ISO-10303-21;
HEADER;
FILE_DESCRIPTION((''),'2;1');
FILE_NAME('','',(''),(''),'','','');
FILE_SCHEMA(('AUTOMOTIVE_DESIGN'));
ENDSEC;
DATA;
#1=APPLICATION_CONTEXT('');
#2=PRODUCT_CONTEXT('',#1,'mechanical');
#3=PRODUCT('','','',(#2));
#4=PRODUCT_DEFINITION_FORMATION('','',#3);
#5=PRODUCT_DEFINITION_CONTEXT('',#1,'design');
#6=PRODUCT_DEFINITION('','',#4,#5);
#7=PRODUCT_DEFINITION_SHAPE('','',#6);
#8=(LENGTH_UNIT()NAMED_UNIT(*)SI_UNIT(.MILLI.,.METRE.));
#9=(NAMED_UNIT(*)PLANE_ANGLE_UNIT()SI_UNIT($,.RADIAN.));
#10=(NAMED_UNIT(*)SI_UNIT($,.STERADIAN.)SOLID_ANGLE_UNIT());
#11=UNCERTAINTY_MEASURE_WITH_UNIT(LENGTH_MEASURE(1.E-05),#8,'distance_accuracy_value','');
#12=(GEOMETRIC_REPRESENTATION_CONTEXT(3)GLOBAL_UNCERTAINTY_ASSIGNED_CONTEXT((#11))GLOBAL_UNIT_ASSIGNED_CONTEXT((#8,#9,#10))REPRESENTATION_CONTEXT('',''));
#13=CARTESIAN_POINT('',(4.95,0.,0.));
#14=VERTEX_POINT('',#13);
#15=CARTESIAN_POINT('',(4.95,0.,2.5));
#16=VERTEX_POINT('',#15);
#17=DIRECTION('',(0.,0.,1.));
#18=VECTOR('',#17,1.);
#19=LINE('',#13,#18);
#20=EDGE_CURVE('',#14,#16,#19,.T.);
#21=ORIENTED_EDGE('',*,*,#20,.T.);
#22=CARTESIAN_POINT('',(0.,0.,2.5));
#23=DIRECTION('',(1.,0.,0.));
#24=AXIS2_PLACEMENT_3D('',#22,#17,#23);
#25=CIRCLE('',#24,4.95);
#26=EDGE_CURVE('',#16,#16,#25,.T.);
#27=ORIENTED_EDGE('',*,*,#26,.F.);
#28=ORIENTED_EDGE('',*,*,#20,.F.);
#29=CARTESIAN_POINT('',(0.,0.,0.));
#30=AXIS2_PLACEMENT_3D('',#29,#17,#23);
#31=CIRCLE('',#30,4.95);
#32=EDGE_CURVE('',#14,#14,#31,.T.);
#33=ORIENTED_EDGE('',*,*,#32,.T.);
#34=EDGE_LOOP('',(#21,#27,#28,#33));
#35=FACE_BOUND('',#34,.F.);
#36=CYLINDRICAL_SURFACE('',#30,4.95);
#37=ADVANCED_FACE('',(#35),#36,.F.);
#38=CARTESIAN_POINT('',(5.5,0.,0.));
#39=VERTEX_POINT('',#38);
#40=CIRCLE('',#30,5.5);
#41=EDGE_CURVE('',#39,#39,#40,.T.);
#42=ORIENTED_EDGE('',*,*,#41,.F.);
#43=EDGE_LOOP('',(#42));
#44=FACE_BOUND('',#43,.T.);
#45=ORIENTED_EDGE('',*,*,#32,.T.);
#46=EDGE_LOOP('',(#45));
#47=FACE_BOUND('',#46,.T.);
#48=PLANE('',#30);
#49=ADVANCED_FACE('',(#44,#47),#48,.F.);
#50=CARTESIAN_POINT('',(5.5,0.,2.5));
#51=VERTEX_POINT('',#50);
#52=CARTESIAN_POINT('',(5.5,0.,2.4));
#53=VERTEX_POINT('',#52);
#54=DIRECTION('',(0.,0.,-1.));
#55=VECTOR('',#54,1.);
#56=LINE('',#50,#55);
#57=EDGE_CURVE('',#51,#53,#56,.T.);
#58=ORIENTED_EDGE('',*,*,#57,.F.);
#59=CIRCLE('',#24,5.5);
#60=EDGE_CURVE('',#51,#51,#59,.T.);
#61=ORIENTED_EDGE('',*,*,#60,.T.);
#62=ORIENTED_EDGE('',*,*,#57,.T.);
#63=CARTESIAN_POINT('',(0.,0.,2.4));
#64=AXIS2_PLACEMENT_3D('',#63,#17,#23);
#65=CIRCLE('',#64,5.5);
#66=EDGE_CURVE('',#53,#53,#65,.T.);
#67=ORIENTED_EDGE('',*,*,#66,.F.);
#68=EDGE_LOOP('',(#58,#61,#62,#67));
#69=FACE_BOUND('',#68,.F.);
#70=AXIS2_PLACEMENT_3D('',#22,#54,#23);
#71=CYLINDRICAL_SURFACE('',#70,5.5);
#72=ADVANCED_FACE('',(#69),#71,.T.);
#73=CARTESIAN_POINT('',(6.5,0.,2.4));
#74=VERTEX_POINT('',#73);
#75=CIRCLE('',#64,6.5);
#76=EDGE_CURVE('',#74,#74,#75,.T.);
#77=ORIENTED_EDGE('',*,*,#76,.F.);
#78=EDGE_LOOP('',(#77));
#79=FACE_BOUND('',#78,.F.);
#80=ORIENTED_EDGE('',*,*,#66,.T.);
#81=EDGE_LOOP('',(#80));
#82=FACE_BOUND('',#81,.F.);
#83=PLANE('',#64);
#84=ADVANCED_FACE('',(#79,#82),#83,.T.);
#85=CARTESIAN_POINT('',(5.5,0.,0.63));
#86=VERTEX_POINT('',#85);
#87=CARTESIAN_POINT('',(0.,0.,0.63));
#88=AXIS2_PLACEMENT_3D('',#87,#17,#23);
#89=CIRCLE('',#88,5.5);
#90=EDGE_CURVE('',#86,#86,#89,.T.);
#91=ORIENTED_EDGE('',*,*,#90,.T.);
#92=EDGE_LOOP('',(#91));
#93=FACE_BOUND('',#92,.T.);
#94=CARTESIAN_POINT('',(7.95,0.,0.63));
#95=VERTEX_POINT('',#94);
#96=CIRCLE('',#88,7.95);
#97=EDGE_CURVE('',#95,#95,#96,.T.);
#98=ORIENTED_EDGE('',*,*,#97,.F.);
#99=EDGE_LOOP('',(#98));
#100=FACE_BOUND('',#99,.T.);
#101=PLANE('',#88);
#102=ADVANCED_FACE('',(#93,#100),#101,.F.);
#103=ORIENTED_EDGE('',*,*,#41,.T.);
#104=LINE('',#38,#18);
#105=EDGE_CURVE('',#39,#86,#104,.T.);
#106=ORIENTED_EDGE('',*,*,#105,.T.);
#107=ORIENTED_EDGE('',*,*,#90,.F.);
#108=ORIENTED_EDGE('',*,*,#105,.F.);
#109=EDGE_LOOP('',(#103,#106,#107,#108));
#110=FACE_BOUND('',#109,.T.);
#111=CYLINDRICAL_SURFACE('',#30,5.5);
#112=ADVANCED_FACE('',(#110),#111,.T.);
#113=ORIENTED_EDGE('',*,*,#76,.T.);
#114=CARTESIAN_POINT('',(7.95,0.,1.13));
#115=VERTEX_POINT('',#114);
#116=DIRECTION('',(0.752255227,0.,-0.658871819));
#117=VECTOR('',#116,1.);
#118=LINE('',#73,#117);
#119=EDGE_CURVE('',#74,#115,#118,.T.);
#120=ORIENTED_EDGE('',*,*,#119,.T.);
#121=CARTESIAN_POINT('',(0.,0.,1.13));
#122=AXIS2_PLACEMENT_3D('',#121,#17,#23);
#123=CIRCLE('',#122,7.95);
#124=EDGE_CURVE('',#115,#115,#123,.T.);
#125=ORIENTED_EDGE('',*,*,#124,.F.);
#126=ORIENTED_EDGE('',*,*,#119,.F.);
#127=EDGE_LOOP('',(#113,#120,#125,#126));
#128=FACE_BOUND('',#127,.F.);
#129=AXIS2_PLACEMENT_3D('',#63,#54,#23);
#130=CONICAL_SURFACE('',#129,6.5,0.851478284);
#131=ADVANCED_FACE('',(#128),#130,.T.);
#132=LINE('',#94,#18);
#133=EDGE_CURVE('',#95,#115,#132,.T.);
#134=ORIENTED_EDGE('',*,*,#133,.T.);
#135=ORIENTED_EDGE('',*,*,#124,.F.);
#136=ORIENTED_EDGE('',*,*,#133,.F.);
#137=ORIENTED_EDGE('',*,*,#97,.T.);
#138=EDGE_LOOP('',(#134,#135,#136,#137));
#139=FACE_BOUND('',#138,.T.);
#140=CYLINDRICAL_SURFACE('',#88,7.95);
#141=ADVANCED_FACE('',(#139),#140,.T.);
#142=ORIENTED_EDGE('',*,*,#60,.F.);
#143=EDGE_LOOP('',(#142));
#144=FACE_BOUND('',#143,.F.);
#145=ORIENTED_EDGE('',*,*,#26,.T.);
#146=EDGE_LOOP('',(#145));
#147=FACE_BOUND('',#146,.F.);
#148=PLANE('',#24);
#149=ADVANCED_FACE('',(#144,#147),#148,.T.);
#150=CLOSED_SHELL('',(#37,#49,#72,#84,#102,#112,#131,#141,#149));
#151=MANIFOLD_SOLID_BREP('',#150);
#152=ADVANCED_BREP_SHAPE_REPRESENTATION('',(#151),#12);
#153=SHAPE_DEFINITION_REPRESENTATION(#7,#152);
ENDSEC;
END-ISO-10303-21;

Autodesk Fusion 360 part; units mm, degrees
sketch "Sketch1" plane through (0, 0, 0) normal (0, 1, 0) x (1, 0, 0)
  line L0 (0, 0) -> (4.95, 0) construction
  line L1 (4.95, 0) -> (5.5, 0)
  line L2 (5.5, 0) -> (5.5, -0.63)
  line L3 (4.95, 0) -> (4.95, -2.5)
  line L4 (5.5, -0.63) -> (7.95, -0.63)
  line L5 (0, 0) -> (0, -2.6) construction
  line L6 (4.95, -2.5) -> (5.5, -2.5)
  line L7 (5.5, -2.5) -> (5.5, -2.4)
  line L8 (5.5, -2.4) -> (6.5, -2.4)
  line L9 (7.95, -0.63) -> (7.95, -1.13)
  line L10 (6.5, -2.4) -> (7.95, -1.13)
  dimension "d1" = 4.95
  dimension "d2" = 0.55
  dimension "d3" = 0.63
  dimension "d6" = 3
  dimension "d7" = 0.55
  dimension "d8" = 0.1
  dimension "d9" = 1.55
  dimension "d10" = 0.5
  dimension "d11" = 2.5
revolve "Revolve1" add sketch "Sketch1" angle 360 about axis through (0, 0, 0) along (0, 0, 1)
equation "d1 = ( 9.9 / 2 ) * 1 mm"
